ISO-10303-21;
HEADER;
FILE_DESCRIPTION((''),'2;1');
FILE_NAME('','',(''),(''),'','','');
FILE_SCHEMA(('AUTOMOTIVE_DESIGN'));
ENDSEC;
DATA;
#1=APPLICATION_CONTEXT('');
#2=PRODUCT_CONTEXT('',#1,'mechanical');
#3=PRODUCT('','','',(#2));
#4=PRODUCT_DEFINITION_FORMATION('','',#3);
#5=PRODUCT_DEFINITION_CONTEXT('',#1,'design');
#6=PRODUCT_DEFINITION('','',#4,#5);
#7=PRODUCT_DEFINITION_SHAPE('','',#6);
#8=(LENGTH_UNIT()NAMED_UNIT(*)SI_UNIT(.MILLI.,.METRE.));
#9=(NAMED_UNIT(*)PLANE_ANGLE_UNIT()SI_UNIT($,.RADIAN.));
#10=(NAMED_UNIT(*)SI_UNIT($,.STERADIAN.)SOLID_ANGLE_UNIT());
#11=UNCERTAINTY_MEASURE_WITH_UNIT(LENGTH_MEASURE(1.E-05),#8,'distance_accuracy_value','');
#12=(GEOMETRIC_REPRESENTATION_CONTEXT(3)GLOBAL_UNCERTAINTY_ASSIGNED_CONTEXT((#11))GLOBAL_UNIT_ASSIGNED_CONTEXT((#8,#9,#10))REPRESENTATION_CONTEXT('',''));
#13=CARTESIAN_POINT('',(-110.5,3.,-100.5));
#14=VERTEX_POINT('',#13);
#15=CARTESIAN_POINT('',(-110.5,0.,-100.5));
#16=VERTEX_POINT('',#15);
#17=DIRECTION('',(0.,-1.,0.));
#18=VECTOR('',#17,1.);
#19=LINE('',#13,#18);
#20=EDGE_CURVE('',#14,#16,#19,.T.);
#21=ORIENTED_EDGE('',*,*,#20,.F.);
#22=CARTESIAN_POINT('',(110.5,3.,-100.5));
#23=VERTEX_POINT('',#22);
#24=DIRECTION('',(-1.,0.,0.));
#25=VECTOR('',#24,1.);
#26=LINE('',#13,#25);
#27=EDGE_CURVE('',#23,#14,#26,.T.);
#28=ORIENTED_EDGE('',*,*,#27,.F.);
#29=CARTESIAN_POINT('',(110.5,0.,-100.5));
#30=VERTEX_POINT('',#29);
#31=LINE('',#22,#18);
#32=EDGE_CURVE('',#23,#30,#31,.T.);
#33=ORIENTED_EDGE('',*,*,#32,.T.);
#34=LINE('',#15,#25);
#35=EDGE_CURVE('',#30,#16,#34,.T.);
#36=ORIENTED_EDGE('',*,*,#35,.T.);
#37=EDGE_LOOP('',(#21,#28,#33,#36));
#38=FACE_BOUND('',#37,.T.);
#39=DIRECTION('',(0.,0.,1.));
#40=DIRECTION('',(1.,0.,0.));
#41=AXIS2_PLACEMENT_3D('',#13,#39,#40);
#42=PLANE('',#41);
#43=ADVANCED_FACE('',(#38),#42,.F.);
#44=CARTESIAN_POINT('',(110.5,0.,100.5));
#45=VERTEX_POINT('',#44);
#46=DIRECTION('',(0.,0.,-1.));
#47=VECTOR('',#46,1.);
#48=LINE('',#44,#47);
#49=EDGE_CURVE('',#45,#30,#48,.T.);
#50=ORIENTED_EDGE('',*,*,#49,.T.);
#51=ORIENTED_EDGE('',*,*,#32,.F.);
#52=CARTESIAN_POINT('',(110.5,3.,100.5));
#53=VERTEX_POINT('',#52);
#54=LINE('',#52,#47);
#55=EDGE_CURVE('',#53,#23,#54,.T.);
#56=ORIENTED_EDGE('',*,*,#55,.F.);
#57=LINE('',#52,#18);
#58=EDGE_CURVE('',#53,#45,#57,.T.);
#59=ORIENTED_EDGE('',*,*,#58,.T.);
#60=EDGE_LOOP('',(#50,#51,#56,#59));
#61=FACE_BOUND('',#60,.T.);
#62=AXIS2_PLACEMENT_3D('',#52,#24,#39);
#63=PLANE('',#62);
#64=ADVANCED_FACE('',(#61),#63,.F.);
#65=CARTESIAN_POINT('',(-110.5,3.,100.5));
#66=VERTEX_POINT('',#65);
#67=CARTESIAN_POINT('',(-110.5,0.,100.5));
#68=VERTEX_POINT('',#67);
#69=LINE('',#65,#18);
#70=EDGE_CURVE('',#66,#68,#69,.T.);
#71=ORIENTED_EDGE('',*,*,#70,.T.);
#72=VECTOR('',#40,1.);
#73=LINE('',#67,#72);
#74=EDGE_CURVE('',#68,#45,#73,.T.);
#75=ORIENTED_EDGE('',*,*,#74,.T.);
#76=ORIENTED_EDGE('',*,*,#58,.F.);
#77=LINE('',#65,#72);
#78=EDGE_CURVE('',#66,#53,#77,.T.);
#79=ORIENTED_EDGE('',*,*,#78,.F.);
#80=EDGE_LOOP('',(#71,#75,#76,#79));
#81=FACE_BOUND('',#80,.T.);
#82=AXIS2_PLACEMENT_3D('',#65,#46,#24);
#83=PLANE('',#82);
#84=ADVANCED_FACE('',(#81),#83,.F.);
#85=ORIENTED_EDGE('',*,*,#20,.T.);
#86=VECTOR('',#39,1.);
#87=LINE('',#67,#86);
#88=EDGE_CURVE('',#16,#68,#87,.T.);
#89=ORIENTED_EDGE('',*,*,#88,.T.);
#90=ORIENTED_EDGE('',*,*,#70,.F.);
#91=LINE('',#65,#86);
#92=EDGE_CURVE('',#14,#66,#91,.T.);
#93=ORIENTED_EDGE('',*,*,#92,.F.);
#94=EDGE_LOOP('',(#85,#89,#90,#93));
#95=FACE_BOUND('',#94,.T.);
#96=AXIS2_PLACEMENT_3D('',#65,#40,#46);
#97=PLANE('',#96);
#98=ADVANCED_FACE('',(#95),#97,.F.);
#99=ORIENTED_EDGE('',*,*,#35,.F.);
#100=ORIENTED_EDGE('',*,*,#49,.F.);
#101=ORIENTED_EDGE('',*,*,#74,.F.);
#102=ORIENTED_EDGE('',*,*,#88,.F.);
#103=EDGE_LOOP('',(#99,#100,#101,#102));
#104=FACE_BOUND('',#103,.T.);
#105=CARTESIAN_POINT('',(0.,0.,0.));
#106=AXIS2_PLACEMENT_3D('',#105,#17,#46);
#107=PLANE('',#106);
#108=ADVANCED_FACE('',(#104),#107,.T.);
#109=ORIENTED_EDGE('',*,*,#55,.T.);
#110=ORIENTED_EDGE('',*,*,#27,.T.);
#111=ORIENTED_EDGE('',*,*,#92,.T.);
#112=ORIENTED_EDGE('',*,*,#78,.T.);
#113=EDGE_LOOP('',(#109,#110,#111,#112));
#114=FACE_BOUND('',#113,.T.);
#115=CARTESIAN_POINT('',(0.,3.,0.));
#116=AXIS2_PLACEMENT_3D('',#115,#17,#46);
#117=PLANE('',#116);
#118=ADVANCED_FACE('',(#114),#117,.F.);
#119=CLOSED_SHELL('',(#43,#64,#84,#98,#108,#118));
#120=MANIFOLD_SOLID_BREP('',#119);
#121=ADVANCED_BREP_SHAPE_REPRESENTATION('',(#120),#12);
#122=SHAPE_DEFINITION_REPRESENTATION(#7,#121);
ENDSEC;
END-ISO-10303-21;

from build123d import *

# Parameters (mm, degrees)
SKETCH1_W           = 221
SKETCH1_H           = 201
BOSS_EXTRUDE1_DEPTH = 3


with BuildPart() as part:
    # Sketch1 → Boss-Extrude1 (new body)
    with BuildSketch(Plane(origin=(0, 0, 0), x_dir=(1, 0, 0), z_dir=(0, 1, 0))):
        Rectangle(SKETCH1_W, SKETCH1_H)
    extrude(amount=BOSS_EXTRUDE1_DEPTH)


solid = part.part
